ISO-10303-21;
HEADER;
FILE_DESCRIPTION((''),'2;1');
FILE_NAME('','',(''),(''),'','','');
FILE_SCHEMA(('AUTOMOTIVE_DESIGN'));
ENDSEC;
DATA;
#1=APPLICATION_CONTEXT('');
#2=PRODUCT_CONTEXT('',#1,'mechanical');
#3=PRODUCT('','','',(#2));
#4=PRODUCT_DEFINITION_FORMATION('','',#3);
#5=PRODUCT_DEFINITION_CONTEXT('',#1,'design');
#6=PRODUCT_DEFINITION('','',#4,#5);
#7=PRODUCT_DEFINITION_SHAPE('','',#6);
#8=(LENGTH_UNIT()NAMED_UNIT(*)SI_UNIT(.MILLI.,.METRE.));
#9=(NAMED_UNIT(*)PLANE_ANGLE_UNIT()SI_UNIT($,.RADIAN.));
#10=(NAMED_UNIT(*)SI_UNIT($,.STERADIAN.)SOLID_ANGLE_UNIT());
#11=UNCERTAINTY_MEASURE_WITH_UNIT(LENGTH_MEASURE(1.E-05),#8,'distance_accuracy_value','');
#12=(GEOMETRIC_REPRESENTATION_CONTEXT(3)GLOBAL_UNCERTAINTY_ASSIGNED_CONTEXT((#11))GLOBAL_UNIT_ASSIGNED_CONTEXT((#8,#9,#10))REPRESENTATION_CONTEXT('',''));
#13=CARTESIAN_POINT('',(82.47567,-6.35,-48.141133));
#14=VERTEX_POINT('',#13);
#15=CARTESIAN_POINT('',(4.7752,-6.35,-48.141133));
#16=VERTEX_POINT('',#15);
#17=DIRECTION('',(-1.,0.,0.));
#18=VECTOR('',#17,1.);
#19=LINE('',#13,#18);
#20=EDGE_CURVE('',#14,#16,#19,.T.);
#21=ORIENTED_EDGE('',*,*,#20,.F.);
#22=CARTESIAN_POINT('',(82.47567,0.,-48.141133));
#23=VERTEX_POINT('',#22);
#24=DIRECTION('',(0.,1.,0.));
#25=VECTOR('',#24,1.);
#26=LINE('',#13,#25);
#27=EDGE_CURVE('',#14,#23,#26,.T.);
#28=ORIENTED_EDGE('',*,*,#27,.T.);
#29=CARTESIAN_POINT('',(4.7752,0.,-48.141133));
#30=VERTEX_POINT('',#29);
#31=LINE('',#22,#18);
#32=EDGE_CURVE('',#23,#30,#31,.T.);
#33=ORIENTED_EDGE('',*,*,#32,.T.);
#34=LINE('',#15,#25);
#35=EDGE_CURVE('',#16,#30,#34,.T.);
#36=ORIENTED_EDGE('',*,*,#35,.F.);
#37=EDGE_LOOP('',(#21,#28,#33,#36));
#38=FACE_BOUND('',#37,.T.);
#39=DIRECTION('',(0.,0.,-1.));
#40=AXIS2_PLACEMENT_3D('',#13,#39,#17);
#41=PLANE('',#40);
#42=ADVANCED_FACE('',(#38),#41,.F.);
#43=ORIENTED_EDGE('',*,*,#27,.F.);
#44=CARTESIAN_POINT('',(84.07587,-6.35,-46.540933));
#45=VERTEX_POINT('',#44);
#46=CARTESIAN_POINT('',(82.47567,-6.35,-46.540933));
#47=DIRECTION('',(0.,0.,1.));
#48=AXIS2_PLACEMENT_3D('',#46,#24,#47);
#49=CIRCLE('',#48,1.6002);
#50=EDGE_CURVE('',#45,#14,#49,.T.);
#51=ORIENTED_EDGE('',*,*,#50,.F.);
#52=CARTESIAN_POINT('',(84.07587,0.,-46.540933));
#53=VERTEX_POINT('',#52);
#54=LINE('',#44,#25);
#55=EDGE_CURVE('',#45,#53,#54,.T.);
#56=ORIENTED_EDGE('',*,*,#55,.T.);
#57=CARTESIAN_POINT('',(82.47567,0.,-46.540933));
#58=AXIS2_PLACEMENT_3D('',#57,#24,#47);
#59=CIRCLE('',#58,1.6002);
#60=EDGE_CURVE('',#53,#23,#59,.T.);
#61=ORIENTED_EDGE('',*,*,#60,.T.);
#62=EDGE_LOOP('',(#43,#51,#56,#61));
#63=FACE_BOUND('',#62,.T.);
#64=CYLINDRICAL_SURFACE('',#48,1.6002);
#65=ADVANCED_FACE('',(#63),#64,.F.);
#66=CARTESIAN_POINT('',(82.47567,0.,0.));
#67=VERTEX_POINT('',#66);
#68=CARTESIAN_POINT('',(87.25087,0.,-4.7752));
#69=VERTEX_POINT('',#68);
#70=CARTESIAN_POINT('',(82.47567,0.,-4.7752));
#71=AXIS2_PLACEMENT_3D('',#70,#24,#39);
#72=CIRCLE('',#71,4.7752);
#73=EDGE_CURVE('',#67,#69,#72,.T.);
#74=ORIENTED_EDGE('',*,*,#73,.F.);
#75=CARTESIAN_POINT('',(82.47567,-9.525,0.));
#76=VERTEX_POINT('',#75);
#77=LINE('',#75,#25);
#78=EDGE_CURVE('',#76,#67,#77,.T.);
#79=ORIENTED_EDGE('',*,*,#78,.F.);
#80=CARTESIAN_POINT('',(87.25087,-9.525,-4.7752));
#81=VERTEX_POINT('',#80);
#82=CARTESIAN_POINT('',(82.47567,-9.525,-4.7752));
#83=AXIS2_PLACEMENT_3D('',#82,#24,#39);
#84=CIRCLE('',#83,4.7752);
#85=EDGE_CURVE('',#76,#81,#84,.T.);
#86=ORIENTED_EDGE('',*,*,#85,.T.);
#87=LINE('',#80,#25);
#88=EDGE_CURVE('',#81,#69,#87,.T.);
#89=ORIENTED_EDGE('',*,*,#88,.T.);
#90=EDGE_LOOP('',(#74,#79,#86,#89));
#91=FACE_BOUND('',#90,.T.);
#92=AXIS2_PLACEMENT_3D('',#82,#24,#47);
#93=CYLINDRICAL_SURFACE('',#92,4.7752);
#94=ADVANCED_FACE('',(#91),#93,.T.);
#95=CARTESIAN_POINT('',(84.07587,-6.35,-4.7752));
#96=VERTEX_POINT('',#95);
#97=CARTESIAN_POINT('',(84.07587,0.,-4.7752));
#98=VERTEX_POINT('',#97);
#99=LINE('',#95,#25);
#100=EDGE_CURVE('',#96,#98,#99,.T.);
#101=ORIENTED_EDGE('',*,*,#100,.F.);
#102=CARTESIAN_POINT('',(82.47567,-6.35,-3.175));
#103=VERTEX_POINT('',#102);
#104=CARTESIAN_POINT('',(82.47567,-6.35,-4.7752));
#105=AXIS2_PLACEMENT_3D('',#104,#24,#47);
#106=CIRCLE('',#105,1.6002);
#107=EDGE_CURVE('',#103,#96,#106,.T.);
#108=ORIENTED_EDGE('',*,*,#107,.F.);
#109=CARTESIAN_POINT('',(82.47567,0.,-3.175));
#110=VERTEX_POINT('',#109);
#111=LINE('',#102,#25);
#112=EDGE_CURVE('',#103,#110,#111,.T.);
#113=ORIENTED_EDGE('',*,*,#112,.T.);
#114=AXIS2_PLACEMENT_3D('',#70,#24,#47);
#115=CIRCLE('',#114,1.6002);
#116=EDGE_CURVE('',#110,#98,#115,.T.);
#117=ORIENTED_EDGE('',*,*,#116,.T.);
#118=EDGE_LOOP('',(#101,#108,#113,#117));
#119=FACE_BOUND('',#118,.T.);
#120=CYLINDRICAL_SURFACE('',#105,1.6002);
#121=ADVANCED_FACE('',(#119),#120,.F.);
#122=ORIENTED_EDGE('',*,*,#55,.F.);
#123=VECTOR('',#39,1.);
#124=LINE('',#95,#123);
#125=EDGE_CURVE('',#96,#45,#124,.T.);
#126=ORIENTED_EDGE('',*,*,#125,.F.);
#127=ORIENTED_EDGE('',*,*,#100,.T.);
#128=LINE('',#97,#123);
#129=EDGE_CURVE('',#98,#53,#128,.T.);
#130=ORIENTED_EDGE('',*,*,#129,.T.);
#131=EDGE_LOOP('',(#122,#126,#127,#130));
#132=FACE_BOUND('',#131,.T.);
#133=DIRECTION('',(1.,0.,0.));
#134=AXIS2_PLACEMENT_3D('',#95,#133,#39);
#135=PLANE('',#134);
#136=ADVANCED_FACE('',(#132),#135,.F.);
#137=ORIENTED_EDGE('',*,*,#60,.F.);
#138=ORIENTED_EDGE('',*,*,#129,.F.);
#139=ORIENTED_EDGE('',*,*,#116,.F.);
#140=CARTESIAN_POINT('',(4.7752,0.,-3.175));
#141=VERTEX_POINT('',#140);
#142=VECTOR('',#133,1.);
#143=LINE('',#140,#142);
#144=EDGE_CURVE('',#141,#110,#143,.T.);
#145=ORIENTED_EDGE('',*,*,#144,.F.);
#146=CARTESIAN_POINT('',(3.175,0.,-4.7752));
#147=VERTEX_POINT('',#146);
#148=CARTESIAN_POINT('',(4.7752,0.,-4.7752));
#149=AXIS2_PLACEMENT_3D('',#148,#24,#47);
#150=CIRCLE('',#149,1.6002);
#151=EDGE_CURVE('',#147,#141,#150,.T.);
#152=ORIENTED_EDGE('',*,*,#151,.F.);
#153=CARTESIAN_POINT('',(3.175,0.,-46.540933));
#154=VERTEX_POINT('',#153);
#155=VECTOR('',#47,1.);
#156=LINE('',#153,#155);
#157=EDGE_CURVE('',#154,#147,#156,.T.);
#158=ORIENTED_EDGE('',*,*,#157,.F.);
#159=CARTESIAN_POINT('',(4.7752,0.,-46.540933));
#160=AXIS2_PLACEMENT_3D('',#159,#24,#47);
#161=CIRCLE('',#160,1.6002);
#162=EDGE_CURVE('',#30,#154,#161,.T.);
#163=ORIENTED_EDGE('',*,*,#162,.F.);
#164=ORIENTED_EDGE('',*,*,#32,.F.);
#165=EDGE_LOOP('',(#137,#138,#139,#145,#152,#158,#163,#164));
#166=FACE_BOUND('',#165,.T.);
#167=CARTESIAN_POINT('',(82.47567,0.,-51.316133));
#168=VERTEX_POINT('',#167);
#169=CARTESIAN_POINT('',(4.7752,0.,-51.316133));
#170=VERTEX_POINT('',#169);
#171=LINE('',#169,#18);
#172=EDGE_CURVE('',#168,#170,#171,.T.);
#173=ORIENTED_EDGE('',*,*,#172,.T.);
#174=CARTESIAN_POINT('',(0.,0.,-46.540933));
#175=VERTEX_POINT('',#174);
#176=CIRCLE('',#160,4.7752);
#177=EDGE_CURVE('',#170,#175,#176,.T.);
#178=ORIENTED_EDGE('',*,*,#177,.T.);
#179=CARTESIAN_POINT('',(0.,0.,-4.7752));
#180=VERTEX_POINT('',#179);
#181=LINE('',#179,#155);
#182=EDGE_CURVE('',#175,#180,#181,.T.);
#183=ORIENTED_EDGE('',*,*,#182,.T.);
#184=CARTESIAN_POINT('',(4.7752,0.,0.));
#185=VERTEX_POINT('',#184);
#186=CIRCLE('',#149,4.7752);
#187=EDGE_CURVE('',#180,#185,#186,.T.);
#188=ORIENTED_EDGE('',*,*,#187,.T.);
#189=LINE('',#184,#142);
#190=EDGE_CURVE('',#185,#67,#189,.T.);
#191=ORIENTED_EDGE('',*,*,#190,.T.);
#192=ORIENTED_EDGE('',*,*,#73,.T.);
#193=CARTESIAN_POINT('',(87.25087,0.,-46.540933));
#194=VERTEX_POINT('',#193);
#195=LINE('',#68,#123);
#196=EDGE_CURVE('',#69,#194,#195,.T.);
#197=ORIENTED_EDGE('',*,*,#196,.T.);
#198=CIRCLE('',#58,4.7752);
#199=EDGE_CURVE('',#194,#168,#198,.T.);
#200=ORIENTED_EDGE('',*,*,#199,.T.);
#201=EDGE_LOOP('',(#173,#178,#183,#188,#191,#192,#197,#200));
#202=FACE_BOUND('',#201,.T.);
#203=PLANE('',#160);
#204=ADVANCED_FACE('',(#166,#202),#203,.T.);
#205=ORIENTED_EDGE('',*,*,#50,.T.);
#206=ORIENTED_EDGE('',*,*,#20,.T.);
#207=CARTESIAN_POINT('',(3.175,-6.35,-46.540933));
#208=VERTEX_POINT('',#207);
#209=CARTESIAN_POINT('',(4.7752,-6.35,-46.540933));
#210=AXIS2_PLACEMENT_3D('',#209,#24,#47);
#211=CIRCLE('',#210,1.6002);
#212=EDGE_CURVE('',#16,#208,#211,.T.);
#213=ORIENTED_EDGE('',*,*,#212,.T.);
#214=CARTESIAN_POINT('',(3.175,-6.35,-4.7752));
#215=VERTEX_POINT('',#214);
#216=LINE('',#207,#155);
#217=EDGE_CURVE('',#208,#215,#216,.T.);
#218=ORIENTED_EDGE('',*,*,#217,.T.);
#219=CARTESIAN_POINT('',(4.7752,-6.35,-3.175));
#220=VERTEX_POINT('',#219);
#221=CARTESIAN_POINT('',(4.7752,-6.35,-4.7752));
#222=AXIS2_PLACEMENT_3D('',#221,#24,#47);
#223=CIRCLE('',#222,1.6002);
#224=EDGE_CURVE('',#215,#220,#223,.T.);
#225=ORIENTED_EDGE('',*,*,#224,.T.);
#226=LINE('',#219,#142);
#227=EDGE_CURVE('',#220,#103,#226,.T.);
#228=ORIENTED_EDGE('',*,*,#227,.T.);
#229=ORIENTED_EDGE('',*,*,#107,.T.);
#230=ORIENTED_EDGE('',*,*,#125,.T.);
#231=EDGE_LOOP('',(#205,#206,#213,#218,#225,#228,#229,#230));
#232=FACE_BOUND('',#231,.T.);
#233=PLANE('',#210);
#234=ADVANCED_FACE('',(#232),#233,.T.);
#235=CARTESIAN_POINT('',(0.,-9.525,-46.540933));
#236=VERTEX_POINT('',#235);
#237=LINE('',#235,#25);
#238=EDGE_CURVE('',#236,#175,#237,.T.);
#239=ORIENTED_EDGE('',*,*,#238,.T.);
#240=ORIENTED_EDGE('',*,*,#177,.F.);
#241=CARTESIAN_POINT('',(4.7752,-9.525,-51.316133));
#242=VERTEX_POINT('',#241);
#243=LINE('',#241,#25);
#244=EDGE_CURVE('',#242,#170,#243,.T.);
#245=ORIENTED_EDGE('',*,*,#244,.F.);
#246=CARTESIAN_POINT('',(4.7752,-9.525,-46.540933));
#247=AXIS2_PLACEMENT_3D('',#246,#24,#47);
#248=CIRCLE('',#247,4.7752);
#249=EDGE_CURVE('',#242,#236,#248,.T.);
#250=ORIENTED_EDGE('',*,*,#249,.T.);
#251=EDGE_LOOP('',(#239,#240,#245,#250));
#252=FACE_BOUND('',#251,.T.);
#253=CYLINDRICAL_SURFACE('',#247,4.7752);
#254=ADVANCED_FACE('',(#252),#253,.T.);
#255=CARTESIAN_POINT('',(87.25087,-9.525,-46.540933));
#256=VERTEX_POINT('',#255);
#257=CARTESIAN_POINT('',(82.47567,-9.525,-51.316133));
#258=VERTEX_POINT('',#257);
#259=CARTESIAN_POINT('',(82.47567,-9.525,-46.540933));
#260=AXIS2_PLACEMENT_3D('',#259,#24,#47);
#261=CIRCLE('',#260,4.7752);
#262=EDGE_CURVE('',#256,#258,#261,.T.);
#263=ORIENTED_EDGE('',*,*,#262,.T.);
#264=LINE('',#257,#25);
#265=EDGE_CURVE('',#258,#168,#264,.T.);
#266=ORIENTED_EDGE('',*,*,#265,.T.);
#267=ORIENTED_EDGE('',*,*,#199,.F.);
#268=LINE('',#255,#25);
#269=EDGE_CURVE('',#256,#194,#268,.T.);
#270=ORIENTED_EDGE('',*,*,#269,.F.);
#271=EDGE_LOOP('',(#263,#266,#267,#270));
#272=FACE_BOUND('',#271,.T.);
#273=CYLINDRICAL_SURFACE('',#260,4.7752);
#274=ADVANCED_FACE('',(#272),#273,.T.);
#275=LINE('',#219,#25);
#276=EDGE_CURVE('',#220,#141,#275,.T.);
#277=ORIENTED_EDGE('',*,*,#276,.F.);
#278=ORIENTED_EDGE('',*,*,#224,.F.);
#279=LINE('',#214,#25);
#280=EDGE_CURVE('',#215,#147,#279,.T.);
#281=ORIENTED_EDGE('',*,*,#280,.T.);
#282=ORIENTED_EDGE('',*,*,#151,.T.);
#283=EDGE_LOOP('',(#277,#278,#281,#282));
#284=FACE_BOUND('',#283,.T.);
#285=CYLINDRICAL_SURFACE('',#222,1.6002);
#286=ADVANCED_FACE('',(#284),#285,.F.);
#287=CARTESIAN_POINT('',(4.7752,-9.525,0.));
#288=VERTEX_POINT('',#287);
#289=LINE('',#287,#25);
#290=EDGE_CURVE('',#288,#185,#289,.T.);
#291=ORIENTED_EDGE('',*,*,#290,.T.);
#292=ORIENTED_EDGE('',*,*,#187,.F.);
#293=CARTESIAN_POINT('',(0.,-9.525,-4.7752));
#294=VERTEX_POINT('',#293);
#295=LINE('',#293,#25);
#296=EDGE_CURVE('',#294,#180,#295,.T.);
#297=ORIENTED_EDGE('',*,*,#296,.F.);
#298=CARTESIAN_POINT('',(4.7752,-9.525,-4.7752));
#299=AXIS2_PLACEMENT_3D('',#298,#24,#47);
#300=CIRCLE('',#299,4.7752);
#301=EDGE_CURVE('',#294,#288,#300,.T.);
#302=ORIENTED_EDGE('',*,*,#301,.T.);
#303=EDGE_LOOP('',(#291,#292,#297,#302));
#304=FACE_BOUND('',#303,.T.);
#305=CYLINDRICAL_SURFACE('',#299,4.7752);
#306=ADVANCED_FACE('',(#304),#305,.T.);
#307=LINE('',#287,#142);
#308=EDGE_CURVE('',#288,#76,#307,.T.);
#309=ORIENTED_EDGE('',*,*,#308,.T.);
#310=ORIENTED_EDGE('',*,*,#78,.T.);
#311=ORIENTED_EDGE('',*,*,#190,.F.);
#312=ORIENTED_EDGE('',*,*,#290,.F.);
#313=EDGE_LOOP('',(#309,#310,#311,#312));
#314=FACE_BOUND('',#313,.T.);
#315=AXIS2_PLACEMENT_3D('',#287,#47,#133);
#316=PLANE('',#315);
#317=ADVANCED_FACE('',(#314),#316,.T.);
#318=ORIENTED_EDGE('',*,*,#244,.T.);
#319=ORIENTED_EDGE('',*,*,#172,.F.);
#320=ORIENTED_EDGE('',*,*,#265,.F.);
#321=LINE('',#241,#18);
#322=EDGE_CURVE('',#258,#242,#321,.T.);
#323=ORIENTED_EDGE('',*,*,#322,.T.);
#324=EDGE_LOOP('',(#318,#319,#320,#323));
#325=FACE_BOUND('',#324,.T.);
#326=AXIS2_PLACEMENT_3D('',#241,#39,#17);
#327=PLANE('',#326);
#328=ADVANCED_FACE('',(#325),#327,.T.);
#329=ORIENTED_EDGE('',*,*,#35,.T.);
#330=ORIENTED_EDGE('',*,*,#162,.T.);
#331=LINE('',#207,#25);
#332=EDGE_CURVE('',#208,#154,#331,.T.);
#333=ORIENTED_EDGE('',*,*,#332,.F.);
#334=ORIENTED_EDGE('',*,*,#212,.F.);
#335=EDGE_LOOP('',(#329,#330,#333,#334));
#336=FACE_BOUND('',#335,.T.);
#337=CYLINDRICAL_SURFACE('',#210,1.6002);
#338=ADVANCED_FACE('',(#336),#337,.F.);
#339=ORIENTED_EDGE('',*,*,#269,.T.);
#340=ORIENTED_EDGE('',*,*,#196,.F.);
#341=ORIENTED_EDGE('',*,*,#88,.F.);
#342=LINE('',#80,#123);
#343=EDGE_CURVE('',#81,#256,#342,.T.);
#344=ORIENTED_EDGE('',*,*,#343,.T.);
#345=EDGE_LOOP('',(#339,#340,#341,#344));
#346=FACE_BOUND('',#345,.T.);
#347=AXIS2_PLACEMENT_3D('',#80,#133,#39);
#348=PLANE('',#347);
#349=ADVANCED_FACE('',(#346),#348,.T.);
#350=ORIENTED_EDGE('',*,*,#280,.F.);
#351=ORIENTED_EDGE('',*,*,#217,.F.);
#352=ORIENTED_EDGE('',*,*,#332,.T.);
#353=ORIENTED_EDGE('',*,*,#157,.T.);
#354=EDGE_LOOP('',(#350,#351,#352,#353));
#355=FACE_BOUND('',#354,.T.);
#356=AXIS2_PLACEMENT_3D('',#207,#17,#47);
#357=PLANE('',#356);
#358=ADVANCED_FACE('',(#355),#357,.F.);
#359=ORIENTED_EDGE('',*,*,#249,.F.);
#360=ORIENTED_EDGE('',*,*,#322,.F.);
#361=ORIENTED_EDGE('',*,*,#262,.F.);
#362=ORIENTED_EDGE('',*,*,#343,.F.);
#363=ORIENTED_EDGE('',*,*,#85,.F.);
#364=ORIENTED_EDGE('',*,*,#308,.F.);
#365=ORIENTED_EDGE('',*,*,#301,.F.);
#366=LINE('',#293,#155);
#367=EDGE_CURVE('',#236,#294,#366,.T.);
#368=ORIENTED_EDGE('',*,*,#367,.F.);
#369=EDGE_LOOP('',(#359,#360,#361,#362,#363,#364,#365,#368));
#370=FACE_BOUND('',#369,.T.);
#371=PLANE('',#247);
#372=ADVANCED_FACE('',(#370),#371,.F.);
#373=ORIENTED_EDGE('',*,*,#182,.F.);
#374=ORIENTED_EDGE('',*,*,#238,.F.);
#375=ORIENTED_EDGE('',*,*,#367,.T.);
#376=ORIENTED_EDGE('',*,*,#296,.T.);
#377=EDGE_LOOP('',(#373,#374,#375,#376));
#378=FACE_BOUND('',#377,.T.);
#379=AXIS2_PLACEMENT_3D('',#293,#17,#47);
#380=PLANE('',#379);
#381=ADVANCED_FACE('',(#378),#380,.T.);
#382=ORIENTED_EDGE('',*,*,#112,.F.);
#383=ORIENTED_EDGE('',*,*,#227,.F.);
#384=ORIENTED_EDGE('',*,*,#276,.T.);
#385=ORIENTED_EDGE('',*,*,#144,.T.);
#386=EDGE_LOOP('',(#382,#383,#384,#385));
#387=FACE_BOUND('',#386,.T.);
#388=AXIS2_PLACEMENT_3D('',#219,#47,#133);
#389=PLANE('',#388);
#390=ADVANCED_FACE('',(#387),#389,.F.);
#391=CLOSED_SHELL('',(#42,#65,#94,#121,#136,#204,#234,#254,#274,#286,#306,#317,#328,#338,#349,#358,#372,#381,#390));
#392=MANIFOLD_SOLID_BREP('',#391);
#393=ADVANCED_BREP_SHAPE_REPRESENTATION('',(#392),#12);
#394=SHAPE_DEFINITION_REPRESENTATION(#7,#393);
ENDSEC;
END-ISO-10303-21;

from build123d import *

# Parameters (mm, degrees)
EXTRUDE1_DEPTH = 9.525
EXTRUDE2_DEPTH = 6.35


with BuildPart() as part:
    # Sketch1 → Extrude1 (new body)
    with BuildSketch(Plane(origin=(0, 0, 0), x_dir=(1, 0, 0), z_dir=(0, 1, 0))):
        with BuildLine():
            Line((4.7752, 0), (82.475669818, 0))
            ThreePointArc((82.475669818, 0), (85.852246119, 1.398623698), (87.250869818, 4.7752))
            Line((87.250869818, 4.7752), (87.250869818, 46.540933005))
            ThreePointArc((87.250869818, 46.540933005), (85.852246119, 49.917509306), (82.475669818, 51.316133005))
            Line((82.475669818, 51.316133005), (4.7752, 51.316133005))
            ThreePointArc((4.7752, 51.316133005), (1.398623698, 49.917509306), (0, 46.540933005))
            Line((0, 46.540933005), (0, 4.7752))
            ThreePointArc((0, 4.7752), (1.398623698, 1.398623698), (4.7752, 0))
        make_face()
    extrude(amount=-EXTRUDE1_DEPTH)

    # Sketch2 → Extrude2 (cut)
    with BuildSketch(Plane(origin=(0, 0, 0), x_dir=(1, 0, 0), z_dir=(0, 1, 0))):
        with BuildLine():
            Line((3.175, 46.540933005), (3.175, 4.7752))
            ThreePointArc((3.175, 4.7752), (3.643687729, 3.643687729), (4.7752, 3.175))
            Line((4.7752, 3.175), (82.475669818, 3.175))
            ThreePointArc((82.475669818, 3.175), (83.607182089, 3.643687729), (84.075869818, 4.7752))
            Line((84.075869818, 4.7752), (84.075869818, 46.540933005))
            ThreePointArc((84.075869818, 46.540933005), (83.607182089, 47.672445276), (82.475669818, 48.141133005))
            Line((82.475669818, 48.141133005), (4.7752, 48.141133005))
            ThreePointArc((4.7752, 48.141133005), (3.643687729, 47.672445276), (3.175, 46.540933005))
        make_face()
    extrude(amount=-EXTRUDE2_DEPTH, mode=Mode.SUBTRACT)


solid = part.part
